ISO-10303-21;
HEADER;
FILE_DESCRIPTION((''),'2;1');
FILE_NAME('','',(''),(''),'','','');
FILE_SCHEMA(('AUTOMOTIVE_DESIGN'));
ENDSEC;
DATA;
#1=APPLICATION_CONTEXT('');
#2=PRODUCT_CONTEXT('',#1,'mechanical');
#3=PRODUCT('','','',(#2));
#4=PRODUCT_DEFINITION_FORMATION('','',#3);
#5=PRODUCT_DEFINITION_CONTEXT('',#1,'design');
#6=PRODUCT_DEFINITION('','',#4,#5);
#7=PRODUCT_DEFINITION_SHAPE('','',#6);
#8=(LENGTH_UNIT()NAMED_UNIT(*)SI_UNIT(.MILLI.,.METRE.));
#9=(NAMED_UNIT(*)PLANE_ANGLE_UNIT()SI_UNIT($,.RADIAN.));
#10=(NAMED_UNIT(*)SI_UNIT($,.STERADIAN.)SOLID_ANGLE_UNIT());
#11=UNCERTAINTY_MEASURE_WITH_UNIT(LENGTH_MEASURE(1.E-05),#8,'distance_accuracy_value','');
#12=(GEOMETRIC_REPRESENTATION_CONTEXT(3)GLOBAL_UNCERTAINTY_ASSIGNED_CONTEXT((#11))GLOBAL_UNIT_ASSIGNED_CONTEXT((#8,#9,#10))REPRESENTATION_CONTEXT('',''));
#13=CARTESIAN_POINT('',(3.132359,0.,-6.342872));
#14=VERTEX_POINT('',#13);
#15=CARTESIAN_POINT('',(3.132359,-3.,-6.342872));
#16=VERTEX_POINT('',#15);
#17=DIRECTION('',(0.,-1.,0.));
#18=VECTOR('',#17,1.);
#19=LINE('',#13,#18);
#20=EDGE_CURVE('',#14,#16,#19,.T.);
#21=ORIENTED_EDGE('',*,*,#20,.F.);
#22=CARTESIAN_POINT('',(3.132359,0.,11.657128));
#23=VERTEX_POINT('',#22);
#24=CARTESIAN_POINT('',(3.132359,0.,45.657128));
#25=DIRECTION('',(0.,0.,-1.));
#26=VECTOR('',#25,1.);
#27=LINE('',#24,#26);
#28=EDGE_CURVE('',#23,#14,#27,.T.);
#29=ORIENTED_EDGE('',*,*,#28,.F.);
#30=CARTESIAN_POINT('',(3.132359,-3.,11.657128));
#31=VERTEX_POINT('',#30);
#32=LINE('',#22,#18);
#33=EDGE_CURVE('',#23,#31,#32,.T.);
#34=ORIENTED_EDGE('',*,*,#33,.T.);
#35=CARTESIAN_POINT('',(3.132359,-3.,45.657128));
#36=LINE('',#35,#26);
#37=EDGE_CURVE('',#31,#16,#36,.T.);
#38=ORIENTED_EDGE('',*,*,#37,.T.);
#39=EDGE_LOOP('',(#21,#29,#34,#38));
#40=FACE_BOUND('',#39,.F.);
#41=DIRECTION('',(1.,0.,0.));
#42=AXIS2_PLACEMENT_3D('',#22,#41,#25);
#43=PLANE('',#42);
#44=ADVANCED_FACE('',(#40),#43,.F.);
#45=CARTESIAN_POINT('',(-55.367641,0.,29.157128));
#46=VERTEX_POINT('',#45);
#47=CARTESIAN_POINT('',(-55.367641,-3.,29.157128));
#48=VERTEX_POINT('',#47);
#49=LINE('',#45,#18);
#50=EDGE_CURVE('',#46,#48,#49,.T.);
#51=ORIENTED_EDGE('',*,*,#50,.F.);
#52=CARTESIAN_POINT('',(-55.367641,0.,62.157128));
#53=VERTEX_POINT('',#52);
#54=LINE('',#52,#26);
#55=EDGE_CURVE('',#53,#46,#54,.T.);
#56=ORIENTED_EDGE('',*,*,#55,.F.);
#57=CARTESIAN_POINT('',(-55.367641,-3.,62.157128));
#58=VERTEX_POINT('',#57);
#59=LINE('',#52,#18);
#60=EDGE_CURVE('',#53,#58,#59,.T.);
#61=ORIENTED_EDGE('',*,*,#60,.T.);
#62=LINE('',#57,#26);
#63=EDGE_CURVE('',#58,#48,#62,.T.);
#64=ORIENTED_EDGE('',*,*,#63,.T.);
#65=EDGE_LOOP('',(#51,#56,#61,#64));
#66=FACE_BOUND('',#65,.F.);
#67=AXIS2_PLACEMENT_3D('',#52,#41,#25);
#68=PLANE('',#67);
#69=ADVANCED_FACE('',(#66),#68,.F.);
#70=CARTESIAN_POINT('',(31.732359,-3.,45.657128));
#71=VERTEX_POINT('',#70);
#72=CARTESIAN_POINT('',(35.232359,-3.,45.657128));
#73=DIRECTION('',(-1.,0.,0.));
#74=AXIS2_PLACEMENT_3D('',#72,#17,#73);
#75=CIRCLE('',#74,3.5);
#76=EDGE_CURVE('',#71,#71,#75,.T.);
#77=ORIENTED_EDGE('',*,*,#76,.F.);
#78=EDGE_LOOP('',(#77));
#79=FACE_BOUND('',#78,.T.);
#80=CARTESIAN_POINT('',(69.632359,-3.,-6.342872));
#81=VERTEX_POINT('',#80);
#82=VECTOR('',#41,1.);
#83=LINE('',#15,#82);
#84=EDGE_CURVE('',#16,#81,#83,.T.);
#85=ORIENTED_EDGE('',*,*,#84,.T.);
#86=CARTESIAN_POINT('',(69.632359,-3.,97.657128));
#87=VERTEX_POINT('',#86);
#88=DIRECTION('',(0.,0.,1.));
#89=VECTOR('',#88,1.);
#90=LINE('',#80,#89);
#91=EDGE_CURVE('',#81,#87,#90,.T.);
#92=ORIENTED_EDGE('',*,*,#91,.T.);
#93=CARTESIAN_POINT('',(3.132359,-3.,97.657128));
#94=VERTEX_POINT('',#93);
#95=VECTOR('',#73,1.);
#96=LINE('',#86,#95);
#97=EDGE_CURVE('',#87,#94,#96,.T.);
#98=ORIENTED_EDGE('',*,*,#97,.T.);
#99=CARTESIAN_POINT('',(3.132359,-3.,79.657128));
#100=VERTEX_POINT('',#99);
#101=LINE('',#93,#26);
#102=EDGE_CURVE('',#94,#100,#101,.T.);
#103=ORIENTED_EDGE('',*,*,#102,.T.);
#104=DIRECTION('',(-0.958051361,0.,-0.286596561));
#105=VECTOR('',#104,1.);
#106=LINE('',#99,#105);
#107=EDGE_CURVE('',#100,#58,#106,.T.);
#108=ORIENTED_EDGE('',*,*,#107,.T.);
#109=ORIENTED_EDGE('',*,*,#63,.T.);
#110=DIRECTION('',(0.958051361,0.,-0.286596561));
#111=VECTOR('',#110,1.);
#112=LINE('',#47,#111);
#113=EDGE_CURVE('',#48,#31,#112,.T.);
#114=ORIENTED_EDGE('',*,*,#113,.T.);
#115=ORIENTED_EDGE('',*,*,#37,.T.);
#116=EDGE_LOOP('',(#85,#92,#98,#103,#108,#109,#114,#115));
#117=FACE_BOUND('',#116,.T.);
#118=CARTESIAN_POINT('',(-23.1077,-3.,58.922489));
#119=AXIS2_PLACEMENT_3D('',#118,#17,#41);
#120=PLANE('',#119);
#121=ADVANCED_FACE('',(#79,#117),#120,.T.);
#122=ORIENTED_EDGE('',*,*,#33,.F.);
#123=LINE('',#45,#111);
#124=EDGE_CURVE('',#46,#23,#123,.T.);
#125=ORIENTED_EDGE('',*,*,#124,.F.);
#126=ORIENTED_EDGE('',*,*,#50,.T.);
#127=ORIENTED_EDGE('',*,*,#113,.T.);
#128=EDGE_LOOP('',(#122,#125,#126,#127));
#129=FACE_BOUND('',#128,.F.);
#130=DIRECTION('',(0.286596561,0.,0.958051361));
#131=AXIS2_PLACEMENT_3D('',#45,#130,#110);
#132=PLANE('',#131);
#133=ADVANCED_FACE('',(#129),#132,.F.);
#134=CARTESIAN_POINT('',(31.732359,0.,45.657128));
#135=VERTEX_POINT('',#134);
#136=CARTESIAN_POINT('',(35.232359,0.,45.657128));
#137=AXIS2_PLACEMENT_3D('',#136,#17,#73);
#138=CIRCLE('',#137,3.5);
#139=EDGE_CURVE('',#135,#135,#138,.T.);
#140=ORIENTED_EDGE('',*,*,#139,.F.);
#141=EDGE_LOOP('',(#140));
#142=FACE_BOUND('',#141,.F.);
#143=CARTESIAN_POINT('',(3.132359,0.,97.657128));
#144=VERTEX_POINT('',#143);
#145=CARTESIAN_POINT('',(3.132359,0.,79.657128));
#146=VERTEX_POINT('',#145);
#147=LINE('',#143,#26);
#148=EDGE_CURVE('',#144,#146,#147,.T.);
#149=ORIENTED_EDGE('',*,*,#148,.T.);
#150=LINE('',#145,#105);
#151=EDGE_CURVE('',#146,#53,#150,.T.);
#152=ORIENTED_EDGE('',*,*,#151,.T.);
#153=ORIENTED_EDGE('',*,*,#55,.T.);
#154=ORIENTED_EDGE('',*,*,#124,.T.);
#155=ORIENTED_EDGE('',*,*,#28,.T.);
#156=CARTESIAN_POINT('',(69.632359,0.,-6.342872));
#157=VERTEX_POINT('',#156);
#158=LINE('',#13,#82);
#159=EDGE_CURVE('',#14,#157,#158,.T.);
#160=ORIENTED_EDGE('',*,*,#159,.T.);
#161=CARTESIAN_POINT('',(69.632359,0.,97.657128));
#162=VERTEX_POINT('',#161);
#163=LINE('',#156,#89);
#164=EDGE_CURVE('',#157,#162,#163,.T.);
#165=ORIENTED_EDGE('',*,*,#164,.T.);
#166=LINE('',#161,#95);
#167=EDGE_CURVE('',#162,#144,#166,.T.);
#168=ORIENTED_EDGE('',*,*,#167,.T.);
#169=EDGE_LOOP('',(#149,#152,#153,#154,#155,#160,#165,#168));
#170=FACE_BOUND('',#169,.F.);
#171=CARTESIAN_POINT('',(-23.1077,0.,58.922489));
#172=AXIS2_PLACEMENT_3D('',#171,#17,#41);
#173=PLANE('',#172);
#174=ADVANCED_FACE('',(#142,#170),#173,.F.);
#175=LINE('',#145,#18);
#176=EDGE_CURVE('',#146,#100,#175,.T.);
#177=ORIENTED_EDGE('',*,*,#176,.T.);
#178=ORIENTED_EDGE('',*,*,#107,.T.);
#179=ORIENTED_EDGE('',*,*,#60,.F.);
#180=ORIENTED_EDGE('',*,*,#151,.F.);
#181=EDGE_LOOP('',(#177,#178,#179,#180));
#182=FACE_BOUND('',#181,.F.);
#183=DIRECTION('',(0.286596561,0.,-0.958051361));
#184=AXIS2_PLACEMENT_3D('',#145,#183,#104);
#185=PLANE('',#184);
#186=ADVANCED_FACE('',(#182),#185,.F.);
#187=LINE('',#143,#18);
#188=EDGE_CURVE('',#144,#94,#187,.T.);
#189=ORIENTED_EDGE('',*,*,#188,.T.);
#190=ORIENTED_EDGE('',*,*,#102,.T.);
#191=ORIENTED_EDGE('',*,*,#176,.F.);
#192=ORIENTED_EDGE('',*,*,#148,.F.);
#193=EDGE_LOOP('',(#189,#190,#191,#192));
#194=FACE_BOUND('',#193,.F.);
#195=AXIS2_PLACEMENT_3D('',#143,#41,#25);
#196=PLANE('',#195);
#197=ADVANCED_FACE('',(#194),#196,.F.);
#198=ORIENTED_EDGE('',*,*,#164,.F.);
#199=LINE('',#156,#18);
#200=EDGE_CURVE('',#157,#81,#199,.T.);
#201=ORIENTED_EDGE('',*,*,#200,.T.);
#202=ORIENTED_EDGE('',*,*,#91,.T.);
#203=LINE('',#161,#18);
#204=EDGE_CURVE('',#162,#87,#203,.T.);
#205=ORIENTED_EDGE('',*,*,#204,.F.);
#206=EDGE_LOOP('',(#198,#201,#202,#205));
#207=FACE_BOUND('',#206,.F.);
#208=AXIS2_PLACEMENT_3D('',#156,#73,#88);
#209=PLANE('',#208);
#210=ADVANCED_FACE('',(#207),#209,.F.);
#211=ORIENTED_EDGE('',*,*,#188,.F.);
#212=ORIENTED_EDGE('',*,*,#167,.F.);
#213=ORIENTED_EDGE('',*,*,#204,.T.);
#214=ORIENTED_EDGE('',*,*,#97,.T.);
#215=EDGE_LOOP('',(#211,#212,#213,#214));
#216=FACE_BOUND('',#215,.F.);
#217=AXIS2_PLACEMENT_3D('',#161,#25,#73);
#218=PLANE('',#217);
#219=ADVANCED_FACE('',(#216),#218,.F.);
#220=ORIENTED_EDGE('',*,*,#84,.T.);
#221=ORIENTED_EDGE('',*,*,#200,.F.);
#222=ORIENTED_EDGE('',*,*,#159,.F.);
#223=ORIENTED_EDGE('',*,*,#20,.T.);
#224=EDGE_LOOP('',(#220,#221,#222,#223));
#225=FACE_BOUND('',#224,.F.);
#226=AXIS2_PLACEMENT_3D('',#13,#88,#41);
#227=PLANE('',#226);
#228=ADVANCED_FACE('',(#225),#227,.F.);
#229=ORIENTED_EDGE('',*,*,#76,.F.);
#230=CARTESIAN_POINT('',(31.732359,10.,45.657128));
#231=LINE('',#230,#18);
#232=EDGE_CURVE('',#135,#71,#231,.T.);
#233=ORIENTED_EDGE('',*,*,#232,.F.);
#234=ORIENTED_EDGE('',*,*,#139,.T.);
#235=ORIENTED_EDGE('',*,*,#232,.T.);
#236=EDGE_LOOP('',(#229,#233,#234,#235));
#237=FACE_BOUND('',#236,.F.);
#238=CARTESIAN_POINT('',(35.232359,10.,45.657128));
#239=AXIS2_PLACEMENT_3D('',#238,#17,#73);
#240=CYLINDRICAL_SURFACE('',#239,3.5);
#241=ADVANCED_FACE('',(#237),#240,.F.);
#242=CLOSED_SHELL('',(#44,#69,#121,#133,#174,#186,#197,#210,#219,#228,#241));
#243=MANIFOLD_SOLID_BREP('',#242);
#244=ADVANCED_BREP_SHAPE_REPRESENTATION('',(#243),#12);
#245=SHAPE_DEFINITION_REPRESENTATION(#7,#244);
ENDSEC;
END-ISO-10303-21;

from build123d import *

# Parameters (mm, degrees)
F1_DEPTH = 3
F2_D     = 7
F2_DEPTH = 10
F2_TIP   = 2.1030121666


with BuildPart() as f1:
    # F0 (on Front) → F1 (new body)
    with BuildSketch(Plane.XZ):
        Polygon((3.132358849, 45.6571279541), (3.132358849, 79.6571279541), (-55.367641151, 62.1571279541), (-55.367641151, 45.6571279541), align=None)
        Polygon((69.632358849, 97.6571279541), (3.132358849, 97.6571279541), (3.132358849, 79.6571279541), (3.132358849, 45.6571279541), (35.232358849, 45.6571279541), (69.632358849, 45.6571279541), align=None)
        Polygon((69.632358849, -6.3428720459), (69.632358849, 45.6571279541), (35.232358849, 45.6571279541), (3.132358849, 45.6571279541), (3.132358849, 11.6571279541), (3.132358849, -6.3428720459), align=None)
        Polygon((3.132358849, 11.6571279541), (3.132358849, 45.6571279541), (-55.367641151, 45.6571279541), (-55.367641151, 29.1571279541), align=None)
    extrude(amount=F1_DEPTH)

    # F2
    with Locations(Plane(origin=(0, 0, 0), x_dir=(1, 0, 0), z_dir=(0, 1, 0))):
        with Locations((35.232358849, -45.6571279541)):
            Hole(F2_D / 2, depth=F2_DEPTH)
            with Locations((0, 0, -(F2_DEPTH + F2_TIP / 2))):  # 118° drill point
                Cone(0, F2_D / 2, F2_TIP, mode=Mode.SUBTRACT)


solid = f1.part
